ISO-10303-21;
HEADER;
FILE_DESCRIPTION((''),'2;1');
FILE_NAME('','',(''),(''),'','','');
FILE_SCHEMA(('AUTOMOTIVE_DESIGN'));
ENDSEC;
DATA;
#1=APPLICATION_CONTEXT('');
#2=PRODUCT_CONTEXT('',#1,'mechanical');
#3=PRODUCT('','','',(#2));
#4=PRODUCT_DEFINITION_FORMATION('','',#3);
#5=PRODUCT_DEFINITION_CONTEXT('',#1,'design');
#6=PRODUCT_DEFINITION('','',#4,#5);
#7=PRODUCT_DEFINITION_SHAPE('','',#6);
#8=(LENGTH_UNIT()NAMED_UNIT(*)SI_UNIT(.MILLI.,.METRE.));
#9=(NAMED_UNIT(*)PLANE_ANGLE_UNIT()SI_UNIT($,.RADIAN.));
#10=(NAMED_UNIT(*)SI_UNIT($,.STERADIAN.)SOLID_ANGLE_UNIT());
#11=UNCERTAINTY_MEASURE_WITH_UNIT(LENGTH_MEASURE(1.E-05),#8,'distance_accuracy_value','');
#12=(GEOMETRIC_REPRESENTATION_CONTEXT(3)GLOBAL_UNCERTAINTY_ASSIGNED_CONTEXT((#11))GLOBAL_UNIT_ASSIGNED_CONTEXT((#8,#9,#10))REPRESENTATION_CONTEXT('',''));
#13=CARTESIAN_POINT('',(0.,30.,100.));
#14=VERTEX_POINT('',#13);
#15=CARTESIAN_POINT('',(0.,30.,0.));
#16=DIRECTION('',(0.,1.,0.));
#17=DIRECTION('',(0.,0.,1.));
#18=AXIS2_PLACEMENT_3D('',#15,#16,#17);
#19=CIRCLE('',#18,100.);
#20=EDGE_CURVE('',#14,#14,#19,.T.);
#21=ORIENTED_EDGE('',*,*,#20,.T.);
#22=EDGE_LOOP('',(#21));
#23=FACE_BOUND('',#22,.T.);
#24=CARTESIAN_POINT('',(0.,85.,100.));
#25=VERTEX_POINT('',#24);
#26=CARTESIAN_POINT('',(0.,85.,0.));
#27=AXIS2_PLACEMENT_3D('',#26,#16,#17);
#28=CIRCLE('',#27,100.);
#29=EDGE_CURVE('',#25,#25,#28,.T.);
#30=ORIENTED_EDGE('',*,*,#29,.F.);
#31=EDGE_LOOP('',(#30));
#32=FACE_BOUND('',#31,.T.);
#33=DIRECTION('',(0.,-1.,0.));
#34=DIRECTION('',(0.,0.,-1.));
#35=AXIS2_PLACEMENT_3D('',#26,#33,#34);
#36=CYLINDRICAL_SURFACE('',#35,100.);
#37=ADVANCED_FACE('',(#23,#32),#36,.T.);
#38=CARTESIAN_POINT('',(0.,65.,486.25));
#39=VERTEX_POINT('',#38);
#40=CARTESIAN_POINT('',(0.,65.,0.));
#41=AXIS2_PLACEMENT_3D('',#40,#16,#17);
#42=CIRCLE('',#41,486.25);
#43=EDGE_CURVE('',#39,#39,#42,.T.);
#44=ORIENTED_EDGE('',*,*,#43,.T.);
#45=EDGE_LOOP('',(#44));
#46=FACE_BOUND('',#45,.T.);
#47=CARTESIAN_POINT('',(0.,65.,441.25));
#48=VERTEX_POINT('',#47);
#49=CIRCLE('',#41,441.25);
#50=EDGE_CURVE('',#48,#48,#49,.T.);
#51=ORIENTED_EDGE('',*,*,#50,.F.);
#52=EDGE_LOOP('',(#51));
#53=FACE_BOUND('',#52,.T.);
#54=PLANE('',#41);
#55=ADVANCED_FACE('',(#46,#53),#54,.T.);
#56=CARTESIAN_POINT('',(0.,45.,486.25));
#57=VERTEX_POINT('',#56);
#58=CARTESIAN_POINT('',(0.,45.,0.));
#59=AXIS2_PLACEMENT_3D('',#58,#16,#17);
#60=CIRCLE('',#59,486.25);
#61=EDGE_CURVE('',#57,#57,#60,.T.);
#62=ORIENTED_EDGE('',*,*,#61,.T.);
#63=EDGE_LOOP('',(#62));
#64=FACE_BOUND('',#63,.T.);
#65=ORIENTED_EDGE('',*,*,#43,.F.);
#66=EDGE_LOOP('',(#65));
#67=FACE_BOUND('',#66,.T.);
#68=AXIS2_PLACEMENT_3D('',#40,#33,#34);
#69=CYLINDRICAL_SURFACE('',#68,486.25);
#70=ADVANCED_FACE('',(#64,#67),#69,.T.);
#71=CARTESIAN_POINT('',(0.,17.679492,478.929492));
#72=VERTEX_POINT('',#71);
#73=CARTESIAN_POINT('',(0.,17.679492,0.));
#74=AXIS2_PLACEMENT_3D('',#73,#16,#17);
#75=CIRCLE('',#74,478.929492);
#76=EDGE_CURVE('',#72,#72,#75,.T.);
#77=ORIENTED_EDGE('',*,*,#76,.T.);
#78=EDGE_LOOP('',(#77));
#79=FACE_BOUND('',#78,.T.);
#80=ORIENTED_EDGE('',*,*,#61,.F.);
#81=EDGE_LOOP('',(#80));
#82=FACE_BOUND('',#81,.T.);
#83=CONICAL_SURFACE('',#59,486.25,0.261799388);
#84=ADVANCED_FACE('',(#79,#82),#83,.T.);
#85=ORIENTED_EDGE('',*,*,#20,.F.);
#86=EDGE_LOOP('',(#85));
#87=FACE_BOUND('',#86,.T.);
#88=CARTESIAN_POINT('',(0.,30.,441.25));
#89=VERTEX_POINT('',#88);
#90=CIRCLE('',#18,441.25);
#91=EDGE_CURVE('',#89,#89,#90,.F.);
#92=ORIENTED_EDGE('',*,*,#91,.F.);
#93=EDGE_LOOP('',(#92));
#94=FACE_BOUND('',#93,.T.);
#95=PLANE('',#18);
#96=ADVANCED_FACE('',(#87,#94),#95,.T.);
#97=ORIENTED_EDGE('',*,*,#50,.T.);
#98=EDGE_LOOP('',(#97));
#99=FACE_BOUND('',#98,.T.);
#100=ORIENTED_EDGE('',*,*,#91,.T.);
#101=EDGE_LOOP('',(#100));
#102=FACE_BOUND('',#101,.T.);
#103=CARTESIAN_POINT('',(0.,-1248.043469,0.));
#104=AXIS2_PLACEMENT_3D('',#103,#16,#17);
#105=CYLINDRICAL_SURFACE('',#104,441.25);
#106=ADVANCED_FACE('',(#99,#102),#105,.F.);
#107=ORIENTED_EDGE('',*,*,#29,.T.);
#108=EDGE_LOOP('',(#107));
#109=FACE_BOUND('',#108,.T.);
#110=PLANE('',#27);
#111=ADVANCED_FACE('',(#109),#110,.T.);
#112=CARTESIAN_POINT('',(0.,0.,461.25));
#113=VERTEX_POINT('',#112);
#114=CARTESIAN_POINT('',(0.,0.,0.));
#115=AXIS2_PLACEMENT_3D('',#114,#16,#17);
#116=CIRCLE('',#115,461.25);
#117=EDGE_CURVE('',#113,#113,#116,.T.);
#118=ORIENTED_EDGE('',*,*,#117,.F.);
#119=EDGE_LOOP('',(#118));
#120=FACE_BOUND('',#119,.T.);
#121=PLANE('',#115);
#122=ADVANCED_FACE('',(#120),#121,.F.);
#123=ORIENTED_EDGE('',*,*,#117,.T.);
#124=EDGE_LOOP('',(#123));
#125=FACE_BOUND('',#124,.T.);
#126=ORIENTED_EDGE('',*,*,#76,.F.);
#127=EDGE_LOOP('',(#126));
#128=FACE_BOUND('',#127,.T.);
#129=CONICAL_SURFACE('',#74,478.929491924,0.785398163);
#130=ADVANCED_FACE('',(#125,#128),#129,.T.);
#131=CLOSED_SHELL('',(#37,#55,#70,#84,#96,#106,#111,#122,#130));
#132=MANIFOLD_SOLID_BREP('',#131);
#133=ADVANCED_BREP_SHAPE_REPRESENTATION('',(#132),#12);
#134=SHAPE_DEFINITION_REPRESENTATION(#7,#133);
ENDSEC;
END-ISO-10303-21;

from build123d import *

# Parameters (mm, degrees)
SKETCH1_R           = 486.25
BOSS_EXTRUDE1_DEPTH = 65
SKETCH3_R           = 441.25
CUT_EXTRUDE1_DEPTH  = 35
SKETCH6_R           = 100
BOSS_EXTRUDE3_DEPTH = 55


with BuildPart() as part:
    # Sketch1 → Boss-Extrude1 (new body)
    with BuildSketch(Plane(origin=(0, 0, 0), x_dir=(1, 0, 0), z_dir=(0, 1, 0))):
        Circle(SKETCH1_R)
    extrude(amount=BOSS_EXTRUDE1_DEPTH)

    # Sketch3 → Cut-Extrude1 (cut)
    with BuildSketch(Plane(origin=(0, 65, 0), x_dir=(1, 0, 0), z_dir=(0, 1, 0))):
        Circle(SKETCH3_R)
    extrude(amount=-CUT_EXTRUDE1_DEPTH, mode=Mode.SUBTRACT)

    # Sketch5 → Cut-Revolve1 (revolve, cut)
    with BuildSketch(Plane(origin=(0, 0, 0), x_dir=(0, 0, -1), z_dir=(1, 0, 0))):
        Polygon((486.25, 45), (478.929491924, 17.679491924), (461.25, 0), (486.25, 0), align=None)
    revolve(axis=Axis((0, 89.25, 0), (0, -1, 0)), mode=Mode.SUBTRACT)

    # Sketch6 → Boss-Extrude3 (add)
    with BuildSketch(Plane(origin=(0, 30, 0), x_dir=(1, 0, 0), z_dir=(0, 1, 0))):
        Circle(SKETCH6_R)
    extrude(amount=BOSS_EXTRUDE3_DEPTH)


solid = part.part
